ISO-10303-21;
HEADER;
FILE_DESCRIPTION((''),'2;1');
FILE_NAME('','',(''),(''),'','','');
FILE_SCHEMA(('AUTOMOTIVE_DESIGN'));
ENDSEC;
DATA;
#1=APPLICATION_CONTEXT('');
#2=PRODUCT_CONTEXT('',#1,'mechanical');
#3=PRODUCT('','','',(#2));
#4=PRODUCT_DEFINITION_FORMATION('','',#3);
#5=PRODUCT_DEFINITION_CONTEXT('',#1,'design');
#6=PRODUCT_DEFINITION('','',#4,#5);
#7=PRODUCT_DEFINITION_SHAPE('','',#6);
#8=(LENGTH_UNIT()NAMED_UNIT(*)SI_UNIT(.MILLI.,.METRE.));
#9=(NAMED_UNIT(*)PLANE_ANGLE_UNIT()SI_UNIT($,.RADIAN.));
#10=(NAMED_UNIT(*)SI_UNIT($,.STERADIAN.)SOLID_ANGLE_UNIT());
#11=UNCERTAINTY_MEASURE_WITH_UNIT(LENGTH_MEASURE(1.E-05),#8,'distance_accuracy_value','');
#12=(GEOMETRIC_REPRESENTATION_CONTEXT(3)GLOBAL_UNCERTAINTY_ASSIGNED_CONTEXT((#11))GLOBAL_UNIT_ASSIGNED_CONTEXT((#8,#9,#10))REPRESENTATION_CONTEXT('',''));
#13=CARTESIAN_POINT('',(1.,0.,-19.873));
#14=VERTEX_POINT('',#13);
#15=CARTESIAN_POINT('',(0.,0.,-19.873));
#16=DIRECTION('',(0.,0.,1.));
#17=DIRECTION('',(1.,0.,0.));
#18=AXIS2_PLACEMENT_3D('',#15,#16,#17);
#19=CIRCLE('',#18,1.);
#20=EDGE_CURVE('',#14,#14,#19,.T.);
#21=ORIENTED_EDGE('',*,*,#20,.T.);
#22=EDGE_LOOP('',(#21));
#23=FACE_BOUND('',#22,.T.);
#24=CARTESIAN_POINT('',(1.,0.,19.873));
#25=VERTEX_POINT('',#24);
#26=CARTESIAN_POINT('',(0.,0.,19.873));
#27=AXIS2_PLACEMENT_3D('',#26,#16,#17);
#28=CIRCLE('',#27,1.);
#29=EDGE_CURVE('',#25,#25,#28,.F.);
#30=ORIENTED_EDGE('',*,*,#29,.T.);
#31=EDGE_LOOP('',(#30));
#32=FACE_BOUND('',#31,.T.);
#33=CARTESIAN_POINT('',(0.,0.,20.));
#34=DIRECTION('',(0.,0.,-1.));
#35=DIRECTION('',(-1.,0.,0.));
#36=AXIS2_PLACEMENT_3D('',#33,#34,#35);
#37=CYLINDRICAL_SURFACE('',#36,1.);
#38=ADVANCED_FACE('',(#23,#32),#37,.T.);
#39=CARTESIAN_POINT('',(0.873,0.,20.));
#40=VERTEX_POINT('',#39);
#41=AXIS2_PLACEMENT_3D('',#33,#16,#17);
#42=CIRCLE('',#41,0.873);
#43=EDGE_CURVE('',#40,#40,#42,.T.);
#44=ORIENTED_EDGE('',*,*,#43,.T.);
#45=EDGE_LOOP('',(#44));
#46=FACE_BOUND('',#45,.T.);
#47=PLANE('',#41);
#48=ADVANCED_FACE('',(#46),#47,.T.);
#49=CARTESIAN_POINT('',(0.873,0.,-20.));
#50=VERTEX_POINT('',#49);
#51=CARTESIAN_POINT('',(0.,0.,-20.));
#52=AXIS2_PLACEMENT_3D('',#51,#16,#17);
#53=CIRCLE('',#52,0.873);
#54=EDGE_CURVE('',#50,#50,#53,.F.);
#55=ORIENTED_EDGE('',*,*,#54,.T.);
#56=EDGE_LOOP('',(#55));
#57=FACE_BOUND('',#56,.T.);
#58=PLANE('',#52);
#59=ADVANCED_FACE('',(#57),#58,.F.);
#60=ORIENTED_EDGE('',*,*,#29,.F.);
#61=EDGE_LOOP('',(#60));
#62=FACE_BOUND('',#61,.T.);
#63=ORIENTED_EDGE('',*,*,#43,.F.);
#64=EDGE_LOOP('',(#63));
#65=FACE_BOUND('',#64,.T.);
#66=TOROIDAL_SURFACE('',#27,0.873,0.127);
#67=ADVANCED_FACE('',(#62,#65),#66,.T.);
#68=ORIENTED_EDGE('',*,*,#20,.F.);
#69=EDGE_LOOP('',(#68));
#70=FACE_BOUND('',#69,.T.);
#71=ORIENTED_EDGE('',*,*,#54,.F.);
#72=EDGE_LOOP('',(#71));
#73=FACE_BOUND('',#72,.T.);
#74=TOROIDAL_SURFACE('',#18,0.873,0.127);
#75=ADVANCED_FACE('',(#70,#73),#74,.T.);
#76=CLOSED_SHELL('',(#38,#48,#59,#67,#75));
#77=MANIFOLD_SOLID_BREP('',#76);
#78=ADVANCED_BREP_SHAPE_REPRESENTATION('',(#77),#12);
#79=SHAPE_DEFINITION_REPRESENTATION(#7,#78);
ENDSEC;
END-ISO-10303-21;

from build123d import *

# Parameters (mm, degrees)
SKETCH1_R           = 1
BOSS_EXTRUDE1_DEPTH = 20
FILLET1_R           = 0.127


with BuildPart() as part:
    # Sketch1 → Boss-Extrude1 (new body, symmetric)
    with BuildSketch(Plane.XY):
        Circle(SKETCH1_R)
    extrude(amount=BOSS_EXTRUDE1_DEPTH, both=True)

    # Fillet1
    fillet1_edges = [part.edges().sort_by_distance(p)[0] for p in [
        (-1, 0, -20),
        (-1, 0, 20),
    ]]
    fillet(fillet1_edges, radius=FILLET1_R)


solid = part.part
